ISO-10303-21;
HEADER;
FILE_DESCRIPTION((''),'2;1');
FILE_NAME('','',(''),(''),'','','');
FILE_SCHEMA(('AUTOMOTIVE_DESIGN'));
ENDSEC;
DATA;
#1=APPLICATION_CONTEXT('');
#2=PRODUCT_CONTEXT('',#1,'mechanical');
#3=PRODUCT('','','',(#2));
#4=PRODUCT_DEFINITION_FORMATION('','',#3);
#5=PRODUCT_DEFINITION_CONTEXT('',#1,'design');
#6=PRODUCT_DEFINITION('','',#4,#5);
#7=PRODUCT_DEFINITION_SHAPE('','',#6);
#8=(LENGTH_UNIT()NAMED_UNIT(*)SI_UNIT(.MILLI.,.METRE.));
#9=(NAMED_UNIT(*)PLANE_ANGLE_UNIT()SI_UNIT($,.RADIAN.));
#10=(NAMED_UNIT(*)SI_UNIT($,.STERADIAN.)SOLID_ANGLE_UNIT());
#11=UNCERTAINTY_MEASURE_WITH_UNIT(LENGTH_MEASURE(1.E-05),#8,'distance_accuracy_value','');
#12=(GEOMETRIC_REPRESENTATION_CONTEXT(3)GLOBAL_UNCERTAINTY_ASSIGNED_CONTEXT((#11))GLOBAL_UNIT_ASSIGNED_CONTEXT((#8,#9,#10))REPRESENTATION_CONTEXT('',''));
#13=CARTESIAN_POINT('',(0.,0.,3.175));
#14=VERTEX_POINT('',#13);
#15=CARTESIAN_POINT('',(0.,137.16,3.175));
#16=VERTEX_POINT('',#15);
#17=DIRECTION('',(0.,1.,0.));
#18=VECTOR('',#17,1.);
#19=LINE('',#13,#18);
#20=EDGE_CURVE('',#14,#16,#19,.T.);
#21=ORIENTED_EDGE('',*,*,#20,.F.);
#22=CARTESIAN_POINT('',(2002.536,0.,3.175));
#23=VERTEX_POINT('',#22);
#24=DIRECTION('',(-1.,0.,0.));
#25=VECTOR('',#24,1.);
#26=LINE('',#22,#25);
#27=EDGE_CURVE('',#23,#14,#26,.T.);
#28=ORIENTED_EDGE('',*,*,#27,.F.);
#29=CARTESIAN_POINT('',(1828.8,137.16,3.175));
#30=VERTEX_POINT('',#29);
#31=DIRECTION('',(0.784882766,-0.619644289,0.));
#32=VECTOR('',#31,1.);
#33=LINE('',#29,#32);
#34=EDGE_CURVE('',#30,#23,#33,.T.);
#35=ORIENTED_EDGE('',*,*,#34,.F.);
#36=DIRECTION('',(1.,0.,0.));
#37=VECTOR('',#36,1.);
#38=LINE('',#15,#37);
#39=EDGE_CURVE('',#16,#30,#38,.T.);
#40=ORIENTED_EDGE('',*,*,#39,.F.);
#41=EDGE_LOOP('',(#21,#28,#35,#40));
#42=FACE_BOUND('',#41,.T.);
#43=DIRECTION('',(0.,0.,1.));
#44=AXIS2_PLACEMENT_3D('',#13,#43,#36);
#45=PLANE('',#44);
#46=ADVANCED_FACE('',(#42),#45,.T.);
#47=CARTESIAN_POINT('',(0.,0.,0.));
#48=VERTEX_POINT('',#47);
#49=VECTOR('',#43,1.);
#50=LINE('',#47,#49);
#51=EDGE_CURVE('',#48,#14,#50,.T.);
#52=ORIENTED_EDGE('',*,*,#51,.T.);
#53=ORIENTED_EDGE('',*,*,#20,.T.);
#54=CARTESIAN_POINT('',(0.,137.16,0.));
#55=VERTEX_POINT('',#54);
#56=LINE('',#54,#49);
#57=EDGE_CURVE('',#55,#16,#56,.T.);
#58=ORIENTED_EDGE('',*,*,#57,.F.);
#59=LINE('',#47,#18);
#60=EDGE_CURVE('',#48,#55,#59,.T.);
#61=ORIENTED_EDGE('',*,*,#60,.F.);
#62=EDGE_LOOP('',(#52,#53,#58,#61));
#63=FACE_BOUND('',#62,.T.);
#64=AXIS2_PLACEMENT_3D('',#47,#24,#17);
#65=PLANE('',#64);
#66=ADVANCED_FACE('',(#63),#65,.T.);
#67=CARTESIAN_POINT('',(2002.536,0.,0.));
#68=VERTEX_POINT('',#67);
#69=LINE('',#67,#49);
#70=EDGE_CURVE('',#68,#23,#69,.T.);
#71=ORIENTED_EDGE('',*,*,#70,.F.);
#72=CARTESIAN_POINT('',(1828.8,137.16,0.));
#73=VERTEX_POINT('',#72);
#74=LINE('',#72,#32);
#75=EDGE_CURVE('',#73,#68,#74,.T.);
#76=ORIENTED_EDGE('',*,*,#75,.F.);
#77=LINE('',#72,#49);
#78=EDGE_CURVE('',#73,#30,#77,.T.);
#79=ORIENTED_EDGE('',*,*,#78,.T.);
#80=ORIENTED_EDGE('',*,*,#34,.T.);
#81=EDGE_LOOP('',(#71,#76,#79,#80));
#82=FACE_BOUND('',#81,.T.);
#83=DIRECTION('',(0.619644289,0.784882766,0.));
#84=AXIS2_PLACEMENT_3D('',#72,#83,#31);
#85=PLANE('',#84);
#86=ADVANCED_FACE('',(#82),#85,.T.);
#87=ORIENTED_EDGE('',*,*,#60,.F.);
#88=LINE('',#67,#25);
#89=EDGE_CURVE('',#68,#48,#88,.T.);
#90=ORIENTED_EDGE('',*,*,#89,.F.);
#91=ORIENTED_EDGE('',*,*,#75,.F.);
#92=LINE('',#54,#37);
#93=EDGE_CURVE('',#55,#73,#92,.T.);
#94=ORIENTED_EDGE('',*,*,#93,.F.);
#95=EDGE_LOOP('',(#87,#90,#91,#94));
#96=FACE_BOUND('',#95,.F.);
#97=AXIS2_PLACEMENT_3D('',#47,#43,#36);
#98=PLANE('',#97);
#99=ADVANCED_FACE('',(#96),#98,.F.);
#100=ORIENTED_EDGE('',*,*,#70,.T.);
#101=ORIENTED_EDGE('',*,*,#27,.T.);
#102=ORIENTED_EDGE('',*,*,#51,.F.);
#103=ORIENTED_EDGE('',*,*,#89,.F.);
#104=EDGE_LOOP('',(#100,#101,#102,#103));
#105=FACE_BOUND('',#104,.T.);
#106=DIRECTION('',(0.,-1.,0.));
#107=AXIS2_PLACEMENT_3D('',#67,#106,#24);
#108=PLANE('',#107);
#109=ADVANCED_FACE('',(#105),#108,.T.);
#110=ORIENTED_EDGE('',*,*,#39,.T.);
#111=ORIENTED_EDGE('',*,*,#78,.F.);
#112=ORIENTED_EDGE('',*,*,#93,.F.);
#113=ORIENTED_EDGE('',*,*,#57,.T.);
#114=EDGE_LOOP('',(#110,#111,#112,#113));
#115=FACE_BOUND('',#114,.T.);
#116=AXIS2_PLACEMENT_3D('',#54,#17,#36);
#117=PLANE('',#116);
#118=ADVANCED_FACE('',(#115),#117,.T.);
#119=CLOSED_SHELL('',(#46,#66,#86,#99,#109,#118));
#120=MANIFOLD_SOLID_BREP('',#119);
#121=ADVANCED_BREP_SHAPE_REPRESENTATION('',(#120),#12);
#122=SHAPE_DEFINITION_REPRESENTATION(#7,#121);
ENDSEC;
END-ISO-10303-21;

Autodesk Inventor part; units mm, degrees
ref_plane "YZ Plane" through (0, 0, 0) normal (1, 0, 0) x (0, 1, 0)
ref_plane "XZ Plane" through (0, 0, 0) normal (0, 1, 0) x (-1, 0, 0)
ref_plane "XY Plane" through (0, 0, 0) normal (0, 0, 1) x (1, 0, 0)
sketch "Sketch1" plane through (0, 0, 0) normal (0, 0, 1) x (1, 0, 0)
  line L0 (0, 0) -> (0, 137.16)
  line L1 (0, 137.16) -> (1828.8, 137.16)
  line L2 (1828.8, 137.16) -> (2002.536, 0)
  line L3 (2002.536, 0) -> (0, 0)
  dimension "d0" = 1828.8
  dimension "d1" = 173.736
  dimension "d2" = 137.16
extrude "Extrusion1" add sketch "Sketch1" along normal blind 3.175
properties part number "trapezoid polycarbonate ramp 125" material "Polycarbonate, Clear"
